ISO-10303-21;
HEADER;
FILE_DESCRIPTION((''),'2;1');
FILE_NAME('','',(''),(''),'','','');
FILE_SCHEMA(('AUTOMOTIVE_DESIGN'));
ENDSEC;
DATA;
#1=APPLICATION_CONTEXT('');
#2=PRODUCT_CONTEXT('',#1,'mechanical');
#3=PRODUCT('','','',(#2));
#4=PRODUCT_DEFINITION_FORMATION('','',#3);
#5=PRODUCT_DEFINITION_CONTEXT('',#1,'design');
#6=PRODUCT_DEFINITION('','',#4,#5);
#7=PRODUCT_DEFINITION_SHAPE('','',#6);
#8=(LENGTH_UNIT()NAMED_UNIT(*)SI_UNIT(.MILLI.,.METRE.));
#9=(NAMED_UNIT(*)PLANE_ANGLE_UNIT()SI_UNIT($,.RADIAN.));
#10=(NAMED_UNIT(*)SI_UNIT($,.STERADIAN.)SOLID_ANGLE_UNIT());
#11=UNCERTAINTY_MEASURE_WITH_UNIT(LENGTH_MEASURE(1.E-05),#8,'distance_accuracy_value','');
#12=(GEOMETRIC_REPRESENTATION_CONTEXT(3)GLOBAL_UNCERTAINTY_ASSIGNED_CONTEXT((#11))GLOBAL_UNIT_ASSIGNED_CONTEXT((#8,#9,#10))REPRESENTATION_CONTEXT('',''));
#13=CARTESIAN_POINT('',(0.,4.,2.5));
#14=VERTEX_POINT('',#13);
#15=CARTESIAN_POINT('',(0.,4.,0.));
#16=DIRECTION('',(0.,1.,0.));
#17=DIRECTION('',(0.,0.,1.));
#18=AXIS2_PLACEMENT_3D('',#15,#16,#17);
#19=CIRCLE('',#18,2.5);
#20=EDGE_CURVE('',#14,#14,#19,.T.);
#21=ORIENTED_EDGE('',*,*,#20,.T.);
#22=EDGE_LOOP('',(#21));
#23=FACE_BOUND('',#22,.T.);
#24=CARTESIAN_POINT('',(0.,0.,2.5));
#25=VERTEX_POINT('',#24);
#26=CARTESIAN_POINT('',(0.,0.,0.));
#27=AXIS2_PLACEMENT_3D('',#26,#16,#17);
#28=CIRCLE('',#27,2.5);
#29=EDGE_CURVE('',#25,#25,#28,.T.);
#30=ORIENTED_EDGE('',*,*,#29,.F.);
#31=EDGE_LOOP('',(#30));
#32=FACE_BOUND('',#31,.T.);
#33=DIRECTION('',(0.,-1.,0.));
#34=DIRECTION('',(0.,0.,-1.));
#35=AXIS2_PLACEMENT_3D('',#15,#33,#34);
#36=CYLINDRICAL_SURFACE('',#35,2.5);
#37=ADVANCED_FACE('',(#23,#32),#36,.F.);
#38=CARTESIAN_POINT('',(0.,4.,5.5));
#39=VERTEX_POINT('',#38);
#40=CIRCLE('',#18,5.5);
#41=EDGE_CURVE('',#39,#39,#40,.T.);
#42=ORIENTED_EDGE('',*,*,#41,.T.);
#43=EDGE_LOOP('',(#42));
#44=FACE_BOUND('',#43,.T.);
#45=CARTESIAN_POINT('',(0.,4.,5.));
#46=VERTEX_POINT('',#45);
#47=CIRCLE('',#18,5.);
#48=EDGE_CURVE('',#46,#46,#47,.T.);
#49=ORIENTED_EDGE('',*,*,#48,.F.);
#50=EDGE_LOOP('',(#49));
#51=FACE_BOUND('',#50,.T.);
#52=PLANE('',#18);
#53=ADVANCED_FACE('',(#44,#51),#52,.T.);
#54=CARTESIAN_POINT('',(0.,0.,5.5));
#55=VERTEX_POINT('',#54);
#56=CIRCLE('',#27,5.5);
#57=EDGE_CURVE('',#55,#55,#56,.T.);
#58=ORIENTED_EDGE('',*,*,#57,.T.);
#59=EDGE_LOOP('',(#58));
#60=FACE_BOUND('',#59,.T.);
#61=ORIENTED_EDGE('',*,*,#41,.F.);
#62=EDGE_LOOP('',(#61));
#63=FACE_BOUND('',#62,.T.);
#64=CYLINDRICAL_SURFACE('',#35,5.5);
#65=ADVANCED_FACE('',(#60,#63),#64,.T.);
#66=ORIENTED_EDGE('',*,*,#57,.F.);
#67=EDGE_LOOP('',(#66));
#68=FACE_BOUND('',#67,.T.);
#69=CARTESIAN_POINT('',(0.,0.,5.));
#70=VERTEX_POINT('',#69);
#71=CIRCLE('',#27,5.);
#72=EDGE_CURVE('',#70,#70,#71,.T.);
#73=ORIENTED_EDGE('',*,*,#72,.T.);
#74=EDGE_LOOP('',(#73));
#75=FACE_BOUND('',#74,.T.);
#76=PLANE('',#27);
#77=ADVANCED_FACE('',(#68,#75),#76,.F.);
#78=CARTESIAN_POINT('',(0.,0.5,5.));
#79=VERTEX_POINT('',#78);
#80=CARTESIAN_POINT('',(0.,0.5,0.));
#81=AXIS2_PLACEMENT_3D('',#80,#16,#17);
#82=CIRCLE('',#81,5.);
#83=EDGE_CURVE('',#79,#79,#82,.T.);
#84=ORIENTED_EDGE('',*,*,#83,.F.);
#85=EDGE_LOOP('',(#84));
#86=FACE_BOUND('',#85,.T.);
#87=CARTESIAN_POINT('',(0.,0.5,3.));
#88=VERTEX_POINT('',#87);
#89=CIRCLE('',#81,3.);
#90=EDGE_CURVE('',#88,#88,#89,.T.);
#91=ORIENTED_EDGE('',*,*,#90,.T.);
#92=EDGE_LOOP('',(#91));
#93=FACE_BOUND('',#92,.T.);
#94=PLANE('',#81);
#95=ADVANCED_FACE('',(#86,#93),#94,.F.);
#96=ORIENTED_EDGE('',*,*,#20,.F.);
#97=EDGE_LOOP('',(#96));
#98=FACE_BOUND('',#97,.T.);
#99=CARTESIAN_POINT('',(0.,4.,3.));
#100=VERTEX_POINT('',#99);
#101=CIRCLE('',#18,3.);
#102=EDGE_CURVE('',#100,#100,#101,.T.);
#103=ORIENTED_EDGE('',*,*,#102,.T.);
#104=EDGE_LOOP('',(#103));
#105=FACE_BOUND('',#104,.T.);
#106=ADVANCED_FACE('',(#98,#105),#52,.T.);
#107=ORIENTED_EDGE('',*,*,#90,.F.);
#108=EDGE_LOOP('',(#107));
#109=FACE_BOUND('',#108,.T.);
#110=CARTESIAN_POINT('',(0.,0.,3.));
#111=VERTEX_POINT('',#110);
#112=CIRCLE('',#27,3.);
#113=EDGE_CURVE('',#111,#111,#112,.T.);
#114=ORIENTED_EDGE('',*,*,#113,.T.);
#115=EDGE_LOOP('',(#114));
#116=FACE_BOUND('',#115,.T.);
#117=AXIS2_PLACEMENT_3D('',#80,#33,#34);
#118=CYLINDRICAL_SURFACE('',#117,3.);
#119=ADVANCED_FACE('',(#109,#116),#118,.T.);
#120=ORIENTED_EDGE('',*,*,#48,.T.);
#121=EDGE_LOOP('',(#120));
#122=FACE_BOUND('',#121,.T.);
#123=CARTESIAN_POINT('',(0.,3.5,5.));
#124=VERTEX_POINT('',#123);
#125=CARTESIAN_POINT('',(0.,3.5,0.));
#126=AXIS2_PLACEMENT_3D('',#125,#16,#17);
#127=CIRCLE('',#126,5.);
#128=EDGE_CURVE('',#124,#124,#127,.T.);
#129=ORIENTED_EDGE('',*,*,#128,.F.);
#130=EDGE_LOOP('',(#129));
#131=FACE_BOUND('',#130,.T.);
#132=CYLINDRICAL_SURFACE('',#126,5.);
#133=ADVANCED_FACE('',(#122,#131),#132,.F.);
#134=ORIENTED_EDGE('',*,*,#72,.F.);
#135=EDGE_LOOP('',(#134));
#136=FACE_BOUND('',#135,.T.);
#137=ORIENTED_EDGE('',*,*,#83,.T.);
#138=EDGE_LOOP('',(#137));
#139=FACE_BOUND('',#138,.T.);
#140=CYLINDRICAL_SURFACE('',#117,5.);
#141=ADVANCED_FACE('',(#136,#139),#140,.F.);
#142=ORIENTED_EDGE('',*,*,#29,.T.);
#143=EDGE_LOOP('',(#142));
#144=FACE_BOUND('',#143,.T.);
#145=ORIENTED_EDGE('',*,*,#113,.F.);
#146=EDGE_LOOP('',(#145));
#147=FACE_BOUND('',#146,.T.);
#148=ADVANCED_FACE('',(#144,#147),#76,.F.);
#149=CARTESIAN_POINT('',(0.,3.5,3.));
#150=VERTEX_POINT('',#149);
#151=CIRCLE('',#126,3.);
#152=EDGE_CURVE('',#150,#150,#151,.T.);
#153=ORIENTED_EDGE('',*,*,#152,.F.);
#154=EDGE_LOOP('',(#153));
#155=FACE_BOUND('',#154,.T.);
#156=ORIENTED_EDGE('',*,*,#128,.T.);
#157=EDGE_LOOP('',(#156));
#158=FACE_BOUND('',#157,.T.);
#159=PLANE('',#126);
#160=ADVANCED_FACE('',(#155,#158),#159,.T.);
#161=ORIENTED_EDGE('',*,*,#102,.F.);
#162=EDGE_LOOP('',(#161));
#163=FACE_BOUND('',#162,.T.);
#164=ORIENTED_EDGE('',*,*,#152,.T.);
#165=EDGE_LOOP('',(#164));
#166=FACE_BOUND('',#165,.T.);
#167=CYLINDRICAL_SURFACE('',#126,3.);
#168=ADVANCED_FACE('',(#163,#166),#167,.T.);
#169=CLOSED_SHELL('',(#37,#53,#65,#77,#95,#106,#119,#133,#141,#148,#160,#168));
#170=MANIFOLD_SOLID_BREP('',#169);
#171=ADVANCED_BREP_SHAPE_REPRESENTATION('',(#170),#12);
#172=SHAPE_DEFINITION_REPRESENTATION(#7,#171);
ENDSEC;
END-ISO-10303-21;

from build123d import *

# Parameters (mm, degrees)
SKETCH1_R           = 5.5
SKETCH1_R_2         = 2.5
BOSS_EXTRUDE1_DEPTH = 4
SKETCH2_R           = 5
SKETCH2_R_2         = 3
CUT_EXTRUDE1_DEPTH  = 0.5
CUT_EXTRUDE2_START  = -3.5
SKETCH2_2_R         = 5
SKETCH2_2_R_2       = 3
CUT_EXTRUDE2_DEPTH  = 0.5


with BuildPart() as part:
    # Sketch1 → Boss-Extrude1 (new body)
    with BuildSketch(Plane(origin=(0, 0, 0), x_dir=(1, 0, 0), z_dir=(0, 1, 0))):
        with Locations(Location((0, 0, 0), (0, 0, 270))):
            Circle(SKETCH1_R)
        with Locations(Location((0, 0, 0), (0, 0, 270))):
            Circle(SKETCH1_R_2, mode=Mode.SUBTRACT)
    extrude(amount=BOSS_EXTRUDE1_DEPTH)

    # Sketch2 → Cut-Extrude1 (cut)
    with BuildSketch(Plane(origin=(0, 4, 0), x_dir=(1, 0, 0), z_dir=(0, 1, 0))):
        with Locations(Location((0, 0, 0), (0, 0, 270))):
            Circle(SKETCH2_R)
        with Locations(Location((0, 0, 0), (0, 0, 270))):
            Circle(SKETCH2_R_2, mode=Mode.SUBTRACT)
    extrude(amount=-CUT_EXTRUDE1_DEPTH, mode=Mode.SUBTRACT)

    # Sketch2<2> → Cut-Extrude2 (cut)
    with BuildSketch(Plane(origin=(0, 4, 0), x_dir=(1, 0, 0), z_dir=(0, 1, 0)).offset(CUT_EXTRUDE2_START)):
        with Locations(Location((0, 0, 0), (0, 0, 270))):
            Circle(SKETCH2_2_R)
        with Locations(Location((0, 0, 0), (0, 0, 270))):
            Circle(SKETCH2_2_R_2, mode=Mode.SUBTRACT)
    extrude(amount=-CUT_EXTRUDE2_DEPTH, mode=Mode.SUBTRACT)


solid = part.part
